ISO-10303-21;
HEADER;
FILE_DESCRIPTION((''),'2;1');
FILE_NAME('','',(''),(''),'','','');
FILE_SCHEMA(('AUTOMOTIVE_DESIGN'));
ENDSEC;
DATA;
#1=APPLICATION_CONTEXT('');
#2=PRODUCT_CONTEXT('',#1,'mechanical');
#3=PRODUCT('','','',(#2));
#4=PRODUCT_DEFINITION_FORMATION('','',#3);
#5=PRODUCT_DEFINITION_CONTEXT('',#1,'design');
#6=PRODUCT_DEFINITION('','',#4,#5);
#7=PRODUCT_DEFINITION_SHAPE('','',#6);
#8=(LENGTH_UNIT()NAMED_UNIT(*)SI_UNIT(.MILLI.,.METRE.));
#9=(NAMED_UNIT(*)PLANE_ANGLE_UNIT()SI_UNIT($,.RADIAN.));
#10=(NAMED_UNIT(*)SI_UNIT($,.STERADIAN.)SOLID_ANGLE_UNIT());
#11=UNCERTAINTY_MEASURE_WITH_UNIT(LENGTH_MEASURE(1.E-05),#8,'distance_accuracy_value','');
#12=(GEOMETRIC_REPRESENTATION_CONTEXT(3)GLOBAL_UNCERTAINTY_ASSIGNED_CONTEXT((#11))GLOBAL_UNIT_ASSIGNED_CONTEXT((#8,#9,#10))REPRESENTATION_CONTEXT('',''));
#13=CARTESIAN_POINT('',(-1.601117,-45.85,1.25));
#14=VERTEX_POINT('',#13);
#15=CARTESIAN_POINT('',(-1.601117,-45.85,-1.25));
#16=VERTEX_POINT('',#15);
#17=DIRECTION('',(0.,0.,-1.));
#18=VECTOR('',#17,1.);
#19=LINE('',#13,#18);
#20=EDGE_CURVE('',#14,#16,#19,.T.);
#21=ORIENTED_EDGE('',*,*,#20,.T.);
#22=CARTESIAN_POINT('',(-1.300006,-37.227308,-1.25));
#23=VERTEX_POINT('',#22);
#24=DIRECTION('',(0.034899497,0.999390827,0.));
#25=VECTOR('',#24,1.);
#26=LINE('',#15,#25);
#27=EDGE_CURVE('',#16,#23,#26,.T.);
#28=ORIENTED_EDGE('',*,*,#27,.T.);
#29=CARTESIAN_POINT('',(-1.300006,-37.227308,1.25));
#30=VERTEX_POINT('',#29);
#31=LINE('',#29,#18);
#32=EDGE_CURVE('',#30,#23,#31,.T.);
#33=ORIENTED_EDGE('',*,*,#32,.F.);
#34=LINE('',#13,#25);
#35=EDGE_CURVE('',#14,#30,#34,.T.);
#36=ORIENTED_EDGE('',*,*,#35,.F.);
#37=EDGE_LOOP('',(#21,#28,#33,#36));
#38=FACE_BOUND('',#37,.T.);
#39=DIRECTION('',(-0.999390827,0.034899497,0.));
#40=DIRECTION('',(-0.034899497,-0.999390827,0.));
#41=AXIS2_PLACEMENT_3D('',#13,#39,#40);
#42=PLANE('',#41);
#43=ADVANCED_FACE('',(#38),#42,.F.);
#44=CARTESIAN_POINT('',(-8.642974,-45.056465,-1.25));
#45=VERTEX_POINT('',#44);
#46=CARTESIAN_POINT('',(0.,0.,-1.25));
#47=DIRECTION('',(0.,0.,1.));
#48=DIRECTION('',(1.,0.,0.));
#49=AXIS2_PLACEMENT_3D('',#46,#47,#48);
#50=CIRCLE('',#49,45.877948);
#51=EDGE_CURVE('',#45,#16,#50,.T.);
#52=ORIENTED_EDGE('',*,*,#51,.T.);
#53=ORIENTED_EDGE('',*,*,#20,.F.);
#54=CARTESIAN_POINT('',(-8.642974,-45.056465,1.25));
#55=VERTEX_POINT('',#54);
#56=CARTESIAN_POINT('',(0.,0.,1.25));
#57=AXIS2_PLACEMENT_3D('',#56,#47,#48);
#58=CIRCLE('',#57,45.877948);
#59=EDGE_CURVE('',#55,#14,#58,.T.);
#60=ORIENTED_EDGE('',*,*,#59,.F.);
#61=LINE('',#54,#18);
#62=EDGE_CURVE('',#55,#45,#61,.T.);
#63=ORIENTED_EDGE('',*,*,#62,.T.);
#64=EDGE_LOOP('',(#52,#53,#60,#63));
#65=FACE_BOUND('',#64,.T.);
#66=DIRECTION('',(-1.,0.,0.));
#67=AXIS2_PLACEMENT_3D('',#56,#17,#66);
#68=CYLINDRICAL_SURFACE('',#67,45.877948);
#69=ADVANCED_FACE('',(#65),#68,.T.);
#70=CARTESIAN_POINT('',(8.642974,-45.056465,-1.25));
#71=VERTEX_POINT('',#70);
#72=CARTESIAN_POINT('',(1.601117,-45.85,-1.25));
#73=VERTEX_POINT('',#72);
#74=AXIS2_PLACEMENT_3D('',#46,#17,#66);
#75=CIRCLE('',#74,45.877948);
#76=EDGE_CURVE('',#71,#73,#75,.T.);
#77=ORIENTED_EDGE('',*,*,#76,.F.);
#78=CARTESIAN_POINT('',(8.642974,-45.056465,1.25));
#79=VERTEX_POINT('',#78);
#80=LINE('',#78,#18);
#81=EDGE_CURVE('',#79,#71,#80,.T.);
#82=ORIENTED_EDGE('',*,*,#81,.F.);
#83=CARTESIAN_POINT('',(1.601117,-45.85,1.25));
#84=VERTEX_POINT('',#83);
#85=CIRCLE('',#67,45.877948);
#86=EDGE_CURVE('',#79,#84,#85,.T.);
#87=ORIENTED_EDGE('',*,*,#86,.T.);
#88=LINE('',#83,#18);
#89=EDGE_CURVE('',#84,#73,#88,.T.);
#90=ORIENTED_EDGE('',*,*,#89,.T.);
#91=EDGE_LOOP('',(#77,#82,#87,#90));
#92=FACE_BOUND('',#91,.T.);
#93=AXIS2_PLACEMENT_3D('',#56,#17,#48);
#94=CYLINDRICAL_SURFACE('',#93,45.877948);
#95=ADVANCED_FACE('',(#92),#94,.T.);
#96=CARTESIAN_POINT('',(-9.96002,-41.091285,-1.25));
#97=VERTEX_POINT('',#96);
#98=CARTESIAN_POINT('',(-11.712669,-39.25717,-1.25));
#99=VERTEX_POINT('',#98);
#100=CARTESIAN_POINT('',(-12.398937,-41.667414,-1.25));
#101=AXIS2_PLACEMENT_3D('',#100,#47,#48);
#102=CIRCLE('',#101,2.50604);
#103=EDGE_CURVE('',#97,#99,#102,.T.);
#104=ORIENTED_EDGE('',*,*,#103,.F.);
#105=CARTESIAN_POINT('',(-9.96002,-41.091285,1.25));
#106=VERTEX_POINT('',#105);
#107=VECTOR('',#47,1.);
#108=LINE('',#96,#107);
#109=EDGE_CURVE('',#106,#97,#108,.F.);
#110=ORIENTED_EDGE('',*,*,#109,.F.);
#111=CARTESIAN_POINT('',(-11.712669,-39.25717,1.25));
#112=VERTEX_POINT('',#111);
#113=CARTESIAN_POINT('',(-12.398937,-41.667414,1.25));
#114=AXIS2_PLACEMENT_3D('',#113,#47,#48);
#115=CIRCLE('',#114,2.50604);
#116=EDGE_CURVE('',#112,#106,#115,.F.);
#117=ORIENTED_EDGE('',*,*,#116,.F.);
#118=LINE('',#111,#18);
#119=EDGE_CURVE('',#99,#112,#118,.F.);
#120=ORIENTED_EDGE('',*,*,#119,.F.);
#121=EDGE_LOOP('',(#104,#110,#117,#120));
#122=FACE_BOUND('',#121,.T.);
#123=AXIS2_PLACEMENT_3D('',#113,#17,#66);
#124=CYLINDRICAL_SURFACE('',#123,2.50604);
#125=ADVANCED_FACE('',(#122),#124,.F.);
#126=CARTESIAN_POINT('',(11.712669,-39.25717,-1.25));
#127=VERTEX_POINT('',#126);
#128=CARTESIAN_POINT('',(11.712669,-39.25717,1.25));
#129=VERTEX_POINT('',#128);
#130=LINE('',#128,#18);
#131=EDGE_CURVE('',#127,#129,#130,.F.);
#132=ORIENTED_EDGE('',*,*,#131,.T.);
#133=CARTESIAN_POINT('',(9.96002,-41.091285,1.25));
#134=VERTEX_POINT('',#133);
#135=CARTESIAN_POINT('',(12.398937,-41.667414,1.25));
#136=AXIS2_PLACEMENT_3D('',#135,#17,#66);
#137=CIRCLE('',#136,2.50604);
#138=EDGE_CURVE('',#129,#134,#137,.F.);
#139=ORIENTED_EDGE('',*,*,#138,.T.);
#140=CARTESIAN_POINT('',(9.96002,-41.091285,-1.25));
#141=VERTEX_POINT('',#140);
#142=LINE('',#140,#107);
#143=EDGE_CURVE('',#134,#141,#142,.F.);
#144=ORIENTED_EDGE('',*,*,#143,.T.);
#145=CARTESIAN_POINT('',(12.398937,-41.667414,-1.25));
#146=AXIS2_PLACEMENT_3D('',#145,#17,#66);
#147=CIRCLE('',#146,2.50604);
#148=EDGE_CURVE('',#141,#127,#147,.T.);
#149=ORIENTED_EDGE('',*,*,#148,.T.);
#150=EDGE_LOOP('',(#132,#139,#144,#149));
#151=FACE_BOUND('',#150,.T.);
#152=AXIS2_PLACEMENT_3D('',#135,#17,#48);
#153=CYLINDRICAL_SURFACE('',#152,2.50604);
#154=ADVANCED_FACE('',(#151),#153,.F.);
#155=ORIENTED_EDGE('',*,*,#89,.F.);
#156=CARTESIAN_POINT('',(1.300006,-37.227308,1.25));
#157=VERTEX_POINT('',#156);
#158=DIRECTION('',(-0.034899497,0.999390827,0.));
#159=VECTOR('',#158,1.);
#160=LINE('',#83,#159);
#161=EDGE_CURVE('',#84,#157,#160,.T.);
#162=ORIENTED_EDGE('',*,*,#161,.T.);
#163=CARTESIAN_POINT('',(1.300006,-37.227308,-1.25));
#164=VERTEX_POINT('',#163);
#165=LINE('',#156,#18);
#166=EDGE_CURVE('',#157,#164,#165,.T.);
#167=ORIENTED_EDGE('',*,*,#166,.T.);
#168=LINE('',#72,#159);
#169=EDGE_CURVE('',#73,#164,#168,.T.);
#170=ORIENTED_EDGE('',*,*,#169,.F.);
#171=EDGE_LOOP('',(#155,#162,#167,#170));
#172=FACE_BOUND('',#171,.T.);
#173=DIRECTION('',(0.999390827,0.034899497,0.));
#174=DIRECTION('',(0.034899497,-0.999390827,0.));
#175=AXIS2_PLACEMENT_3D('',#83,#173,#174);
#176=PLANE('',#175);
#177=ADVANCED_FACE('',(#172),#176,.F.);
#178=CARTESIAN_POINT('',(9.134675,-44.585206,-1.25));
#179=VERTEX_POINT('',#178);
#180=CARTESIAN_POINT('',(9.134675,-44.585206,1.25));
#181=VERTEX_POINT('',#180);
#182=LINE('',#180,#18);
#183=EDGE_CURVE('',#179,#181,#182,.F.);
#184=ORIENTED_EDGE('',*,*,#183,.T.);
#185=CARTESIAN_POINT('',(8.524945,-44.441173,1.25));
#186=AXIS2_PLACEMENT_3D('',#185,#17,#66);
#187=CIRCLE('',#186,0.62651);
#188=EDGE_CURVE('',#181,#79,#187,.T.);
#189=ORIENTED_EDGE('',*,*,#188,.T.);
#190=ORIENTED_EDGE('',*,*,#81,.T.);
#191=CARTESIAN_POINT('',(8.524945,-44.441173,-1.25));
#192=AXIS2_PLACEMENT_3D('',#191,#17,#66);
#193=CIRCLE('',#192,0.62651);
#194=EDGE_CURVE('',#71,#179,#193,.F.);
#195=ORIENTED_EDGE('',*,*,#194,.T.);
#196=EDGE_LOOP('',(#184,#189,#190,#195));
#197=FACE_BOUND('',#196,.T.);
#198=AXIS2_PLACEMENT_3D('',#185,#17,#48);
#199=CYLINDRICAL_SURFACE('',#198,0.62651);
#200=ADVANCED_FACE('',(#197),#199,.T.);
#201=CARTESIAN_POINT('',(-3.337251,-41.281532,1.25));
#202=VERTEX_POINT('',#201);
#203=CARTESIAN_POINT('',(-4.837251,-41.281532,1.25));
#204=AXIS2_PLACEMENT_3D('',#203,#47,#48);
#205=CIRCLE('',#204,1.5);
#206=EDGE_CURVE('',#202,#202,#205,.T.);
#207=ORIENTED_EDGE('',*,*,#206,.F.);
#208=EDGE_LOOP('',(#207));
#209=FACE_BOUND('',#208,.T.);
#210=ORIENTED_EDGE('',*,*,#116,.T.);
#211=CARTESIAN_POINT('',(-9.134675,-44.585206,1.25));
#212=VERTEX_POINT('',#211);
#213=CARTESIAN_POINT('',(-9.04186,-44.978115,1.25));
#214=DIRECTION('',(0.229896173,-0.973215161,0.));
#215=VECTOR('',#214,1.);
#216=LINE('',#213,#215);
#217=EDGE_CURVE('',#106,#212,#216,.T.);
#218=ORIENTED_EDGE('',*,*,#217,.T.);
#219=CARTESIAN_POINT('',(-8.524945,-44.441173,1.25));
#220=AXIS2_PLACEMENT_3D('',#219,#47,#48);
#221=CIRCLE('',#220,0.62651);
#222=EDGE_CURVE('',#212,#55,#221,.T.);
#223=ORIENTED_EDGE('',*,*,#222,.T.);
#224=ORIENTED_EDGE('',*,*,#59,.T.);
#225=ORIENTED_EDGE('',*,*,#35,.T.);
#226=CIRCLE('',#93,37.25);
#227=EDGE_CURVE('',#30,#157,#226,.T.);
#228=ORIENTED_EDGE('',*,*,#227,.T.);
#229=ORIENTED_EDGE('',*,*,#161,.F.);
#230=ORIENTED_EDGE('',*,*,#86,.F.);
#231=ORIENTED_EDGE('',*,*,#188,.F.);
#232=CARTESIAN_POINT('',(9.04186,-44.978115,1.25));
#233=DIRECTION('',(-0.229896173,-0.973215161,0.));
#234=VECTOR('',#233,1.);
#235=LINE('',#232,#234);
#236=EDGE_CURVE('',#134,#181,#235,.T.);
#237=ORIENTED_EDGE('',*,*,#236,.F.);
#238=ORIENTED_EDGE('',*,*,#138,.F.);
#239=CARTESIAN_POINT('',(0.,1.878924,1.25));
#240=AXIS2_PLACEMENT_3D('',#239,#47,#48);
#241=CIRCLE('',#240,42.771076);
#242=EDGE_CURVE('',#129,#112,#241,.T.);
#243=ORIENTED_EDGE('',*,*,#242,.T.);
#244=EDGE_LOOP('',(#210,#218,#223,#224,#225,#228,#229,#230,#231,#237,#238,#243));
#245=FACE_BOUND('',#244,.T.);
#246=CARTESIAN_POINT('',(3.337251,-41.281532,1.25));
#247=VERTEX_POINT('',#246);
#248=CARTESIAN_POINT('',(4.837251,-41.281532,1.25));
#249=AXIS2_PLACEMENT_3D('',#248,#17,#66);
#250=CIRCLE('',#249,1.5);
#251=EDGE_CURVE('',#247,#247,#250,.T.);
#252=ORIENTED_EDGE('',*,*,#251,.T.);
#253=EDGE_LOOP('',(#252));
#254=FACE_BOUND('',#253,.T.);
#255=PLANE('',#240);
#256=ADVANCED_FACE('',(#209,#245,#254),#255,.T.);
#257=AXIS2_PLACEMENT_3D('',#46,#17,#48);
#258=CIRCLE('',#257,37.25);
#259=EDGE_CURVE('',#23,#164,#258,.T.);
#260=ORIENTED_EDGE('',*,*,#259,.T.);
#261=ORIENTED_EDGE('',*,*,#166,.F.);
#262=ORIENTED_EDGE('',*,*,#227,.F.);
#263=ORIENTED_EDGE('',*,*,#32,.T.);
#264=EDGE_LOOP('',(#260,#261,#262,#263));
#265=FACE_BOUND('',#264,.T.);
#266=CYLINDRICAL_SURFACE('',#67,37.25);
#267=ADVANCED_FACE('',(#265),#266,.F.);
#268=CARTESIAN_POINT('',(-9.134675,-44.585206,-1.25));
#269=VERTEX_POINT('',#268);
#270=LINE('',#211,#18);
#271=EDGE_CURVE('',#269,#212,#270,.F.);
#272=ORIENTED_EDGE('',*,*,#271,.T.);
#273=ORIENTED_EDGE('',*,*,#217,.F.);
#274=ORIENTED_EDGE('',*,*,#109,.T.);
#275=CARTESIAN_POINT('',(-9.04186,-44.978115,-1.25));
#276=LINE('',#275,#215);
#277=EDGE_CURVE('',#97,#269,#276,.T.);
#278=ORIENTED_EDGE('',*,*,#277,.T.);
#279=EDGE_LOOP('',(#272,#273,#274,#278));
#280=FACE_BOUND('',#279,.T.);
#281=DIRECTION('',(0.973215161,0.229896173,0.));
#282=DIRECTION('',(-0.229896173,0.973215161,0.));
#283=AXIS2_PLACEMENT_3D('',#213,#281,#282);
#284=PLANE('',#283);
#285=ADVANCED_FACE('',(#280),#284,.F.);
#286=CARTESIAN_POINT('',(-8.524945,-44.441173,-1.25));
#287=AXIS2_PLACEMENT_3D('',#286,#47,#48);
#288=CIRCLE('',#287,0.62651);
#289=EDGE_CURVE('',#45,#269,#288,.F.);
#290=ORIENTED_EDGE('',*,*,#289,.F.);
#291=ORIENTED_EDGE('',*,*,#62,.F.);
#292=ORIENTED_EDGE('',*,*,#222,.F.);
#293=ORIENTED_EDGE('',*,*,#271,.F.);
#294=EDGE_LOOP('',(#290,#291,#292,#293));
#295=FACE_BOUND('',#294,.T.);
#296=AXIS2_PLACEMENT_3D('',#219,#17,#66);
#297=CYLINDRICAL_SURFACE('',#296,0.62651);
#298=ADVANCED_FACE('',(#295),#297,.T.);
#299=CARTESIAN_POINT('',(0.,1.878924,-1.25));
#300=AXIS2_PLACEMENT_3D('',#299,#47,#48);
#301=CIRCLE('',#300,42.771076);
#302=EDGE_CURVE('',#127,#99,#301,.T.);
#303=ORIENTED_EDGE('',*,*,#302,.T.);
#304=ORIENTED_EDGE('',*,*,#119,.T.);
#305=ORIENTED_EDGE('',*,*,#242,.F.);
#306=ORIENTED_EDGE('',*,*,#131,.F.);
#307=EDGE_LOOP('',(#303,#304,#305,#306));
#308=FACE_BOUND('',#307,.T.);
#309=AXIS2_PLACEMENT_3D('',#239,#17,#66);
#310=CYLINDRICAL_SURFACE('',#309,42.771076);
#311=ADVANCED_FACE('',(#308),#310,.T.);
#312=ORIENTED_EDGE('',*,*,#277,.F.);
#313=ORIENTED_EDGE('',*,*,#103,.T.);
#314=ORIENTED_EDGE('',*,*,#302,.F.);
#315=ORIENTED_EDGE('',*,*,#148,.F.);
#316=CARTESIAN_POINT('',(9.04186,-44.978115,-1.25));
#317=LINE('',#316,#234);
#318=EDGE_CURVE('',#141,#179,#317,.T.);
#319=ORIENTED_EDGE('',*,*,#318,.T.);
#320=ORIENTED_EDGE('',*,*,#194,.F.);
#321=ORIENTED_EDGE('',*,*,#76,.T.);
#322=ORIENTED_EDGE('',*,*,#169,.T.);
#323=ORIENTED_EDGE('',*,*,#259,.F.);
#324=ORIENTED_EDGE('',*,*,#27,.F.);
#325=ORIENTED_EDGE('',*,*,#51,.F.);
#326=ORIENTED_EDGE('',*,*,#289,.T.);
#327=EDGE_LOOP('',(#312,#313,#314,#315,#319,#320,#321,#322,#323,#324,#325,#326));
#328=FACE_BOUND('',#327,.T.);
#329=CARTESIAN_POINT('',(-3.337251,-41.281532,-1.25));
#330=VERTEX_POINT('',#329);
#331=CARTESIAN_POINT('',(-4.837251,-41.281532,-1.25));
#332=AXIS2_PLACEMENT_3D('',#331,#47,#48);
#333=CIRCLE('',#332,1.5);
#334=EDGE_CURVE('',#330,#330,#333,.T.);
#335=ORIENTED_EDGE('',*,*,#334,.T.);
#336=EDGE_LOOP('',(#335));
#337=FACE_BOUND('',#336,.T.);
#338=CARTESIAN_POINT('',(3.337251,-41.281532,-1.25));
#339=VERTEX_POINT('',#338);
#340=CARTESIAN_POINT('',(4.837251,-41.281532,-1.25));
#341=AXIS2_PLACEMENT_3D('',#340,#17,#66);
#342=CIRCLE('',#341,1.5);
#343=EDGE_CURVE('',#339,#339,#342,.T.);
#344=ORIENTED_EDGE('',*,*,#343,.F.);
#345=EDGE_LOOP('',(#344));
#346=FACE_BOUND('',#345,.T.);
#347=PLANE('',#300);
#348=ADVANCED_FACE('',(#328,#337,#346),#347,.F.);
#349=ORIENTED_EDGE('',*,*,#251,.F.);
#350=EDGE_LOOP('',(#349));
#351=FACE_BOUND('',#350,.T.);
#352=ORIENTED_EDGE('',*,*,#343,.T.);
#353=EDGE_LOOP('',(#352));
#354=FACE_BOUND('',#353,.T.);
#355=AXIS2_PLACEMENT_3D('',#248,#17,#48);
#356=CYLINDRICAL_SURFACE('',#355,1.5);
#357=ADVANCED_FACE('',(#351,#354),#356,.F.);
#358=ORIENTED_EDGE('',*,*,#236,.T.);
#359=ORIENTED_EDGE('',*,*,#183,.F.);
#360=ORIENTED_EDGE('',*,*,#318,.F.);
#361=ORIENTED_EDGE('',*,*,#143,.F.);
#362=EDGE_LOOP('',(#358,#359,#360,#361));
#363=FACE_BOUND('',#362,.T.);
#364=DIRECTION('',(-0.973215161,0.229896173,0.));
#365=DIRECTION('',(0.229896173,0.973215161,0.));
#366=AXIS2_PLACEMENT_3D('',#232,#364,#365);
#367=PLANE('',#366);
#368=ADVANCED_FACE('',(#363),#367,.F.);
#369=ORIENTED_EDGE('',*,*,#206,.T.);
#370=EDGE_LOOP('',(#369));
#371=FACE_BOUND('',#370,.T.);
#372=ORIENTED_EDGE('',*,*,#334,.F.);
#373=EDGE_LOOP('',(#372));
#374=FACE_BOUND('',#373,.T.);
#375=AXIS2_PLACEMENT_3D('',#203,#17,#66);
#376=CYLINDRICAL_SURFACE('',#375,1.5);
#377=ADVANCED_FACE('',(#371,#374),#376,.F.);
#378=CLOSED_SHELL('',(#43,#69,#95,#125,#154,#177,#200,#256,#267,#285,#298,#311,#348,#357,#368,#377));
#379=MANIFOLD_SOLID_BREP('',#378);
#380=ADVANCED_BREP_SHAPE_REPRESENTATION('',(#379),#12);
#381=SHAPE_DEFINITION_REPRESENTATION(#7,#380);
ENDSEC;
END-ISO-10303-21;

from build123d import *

# Parameters (mm, degrees)
SKETCH4_R           = 1.5
BOSS_EXTRUDE1_DEPTH = 1.25
FILLET1_R           = 2.506040444
FILLET2_R           = 0.626510111


with BuildPart() as part:
    # Sketch4 → Boss-Extrude1 (new, symmetric)
    with BuildSketch(Plane.XY):
        with BuildLine():
            Line((-9.04186024, -44.978115122), (-10.304675826, -39.632261557))
            ThreePointArc((-10.304675826, -39.632261557), (-42.454934805, 7.069629236), (0, 44.65))
            Line((0, 44.65), (0, 37.25))
            ThreePointArc((0, 37.25), (-37.244326645, 0.65010214), (-1.300006252, -37.227308306))
            Line((-1.300006252, -37.227308306), (-1.601117281, -45.85))
            ThreePointArc((-1.601117281, -45.85), (-5.339315353, -45.566191284), (-9.04186024, -44.978115122))
        make_face()
        with Locations((-4.837251338, -41.281532406)):
            Circle(SKETCH4_R, mode=Mode.SUBTRACT)
    extrude(amount=BOSS_EXTRUDE1_DEPTH, both=True)

    # Fillet1
    fillet1_edges = [part.edges().sort_by_distance(p)[0] for p in [
        (-10.304675826, -39.632261557, 0),
    ]]
    fillet(fillet1_edges, radius=FILLET1_R)

    # Fillet2
    fillet2_edges = [part.edges().sort_by_distance(p)[0] for p in [
        (-9.04186024, -44.978115122, 0),
    ]]
    fillet(fillet2_edges, radius=FILLET2_R)

    # Mirror1: part across plane


with BuildPart() as part_1:
    add(part.part)
    add(part.part.mirror(Plane(origin=(0, 44.65, 1.25), x_dir=(0, 0, 1), z_dir=(-1, 0, 0))))


solid = part_1.part
